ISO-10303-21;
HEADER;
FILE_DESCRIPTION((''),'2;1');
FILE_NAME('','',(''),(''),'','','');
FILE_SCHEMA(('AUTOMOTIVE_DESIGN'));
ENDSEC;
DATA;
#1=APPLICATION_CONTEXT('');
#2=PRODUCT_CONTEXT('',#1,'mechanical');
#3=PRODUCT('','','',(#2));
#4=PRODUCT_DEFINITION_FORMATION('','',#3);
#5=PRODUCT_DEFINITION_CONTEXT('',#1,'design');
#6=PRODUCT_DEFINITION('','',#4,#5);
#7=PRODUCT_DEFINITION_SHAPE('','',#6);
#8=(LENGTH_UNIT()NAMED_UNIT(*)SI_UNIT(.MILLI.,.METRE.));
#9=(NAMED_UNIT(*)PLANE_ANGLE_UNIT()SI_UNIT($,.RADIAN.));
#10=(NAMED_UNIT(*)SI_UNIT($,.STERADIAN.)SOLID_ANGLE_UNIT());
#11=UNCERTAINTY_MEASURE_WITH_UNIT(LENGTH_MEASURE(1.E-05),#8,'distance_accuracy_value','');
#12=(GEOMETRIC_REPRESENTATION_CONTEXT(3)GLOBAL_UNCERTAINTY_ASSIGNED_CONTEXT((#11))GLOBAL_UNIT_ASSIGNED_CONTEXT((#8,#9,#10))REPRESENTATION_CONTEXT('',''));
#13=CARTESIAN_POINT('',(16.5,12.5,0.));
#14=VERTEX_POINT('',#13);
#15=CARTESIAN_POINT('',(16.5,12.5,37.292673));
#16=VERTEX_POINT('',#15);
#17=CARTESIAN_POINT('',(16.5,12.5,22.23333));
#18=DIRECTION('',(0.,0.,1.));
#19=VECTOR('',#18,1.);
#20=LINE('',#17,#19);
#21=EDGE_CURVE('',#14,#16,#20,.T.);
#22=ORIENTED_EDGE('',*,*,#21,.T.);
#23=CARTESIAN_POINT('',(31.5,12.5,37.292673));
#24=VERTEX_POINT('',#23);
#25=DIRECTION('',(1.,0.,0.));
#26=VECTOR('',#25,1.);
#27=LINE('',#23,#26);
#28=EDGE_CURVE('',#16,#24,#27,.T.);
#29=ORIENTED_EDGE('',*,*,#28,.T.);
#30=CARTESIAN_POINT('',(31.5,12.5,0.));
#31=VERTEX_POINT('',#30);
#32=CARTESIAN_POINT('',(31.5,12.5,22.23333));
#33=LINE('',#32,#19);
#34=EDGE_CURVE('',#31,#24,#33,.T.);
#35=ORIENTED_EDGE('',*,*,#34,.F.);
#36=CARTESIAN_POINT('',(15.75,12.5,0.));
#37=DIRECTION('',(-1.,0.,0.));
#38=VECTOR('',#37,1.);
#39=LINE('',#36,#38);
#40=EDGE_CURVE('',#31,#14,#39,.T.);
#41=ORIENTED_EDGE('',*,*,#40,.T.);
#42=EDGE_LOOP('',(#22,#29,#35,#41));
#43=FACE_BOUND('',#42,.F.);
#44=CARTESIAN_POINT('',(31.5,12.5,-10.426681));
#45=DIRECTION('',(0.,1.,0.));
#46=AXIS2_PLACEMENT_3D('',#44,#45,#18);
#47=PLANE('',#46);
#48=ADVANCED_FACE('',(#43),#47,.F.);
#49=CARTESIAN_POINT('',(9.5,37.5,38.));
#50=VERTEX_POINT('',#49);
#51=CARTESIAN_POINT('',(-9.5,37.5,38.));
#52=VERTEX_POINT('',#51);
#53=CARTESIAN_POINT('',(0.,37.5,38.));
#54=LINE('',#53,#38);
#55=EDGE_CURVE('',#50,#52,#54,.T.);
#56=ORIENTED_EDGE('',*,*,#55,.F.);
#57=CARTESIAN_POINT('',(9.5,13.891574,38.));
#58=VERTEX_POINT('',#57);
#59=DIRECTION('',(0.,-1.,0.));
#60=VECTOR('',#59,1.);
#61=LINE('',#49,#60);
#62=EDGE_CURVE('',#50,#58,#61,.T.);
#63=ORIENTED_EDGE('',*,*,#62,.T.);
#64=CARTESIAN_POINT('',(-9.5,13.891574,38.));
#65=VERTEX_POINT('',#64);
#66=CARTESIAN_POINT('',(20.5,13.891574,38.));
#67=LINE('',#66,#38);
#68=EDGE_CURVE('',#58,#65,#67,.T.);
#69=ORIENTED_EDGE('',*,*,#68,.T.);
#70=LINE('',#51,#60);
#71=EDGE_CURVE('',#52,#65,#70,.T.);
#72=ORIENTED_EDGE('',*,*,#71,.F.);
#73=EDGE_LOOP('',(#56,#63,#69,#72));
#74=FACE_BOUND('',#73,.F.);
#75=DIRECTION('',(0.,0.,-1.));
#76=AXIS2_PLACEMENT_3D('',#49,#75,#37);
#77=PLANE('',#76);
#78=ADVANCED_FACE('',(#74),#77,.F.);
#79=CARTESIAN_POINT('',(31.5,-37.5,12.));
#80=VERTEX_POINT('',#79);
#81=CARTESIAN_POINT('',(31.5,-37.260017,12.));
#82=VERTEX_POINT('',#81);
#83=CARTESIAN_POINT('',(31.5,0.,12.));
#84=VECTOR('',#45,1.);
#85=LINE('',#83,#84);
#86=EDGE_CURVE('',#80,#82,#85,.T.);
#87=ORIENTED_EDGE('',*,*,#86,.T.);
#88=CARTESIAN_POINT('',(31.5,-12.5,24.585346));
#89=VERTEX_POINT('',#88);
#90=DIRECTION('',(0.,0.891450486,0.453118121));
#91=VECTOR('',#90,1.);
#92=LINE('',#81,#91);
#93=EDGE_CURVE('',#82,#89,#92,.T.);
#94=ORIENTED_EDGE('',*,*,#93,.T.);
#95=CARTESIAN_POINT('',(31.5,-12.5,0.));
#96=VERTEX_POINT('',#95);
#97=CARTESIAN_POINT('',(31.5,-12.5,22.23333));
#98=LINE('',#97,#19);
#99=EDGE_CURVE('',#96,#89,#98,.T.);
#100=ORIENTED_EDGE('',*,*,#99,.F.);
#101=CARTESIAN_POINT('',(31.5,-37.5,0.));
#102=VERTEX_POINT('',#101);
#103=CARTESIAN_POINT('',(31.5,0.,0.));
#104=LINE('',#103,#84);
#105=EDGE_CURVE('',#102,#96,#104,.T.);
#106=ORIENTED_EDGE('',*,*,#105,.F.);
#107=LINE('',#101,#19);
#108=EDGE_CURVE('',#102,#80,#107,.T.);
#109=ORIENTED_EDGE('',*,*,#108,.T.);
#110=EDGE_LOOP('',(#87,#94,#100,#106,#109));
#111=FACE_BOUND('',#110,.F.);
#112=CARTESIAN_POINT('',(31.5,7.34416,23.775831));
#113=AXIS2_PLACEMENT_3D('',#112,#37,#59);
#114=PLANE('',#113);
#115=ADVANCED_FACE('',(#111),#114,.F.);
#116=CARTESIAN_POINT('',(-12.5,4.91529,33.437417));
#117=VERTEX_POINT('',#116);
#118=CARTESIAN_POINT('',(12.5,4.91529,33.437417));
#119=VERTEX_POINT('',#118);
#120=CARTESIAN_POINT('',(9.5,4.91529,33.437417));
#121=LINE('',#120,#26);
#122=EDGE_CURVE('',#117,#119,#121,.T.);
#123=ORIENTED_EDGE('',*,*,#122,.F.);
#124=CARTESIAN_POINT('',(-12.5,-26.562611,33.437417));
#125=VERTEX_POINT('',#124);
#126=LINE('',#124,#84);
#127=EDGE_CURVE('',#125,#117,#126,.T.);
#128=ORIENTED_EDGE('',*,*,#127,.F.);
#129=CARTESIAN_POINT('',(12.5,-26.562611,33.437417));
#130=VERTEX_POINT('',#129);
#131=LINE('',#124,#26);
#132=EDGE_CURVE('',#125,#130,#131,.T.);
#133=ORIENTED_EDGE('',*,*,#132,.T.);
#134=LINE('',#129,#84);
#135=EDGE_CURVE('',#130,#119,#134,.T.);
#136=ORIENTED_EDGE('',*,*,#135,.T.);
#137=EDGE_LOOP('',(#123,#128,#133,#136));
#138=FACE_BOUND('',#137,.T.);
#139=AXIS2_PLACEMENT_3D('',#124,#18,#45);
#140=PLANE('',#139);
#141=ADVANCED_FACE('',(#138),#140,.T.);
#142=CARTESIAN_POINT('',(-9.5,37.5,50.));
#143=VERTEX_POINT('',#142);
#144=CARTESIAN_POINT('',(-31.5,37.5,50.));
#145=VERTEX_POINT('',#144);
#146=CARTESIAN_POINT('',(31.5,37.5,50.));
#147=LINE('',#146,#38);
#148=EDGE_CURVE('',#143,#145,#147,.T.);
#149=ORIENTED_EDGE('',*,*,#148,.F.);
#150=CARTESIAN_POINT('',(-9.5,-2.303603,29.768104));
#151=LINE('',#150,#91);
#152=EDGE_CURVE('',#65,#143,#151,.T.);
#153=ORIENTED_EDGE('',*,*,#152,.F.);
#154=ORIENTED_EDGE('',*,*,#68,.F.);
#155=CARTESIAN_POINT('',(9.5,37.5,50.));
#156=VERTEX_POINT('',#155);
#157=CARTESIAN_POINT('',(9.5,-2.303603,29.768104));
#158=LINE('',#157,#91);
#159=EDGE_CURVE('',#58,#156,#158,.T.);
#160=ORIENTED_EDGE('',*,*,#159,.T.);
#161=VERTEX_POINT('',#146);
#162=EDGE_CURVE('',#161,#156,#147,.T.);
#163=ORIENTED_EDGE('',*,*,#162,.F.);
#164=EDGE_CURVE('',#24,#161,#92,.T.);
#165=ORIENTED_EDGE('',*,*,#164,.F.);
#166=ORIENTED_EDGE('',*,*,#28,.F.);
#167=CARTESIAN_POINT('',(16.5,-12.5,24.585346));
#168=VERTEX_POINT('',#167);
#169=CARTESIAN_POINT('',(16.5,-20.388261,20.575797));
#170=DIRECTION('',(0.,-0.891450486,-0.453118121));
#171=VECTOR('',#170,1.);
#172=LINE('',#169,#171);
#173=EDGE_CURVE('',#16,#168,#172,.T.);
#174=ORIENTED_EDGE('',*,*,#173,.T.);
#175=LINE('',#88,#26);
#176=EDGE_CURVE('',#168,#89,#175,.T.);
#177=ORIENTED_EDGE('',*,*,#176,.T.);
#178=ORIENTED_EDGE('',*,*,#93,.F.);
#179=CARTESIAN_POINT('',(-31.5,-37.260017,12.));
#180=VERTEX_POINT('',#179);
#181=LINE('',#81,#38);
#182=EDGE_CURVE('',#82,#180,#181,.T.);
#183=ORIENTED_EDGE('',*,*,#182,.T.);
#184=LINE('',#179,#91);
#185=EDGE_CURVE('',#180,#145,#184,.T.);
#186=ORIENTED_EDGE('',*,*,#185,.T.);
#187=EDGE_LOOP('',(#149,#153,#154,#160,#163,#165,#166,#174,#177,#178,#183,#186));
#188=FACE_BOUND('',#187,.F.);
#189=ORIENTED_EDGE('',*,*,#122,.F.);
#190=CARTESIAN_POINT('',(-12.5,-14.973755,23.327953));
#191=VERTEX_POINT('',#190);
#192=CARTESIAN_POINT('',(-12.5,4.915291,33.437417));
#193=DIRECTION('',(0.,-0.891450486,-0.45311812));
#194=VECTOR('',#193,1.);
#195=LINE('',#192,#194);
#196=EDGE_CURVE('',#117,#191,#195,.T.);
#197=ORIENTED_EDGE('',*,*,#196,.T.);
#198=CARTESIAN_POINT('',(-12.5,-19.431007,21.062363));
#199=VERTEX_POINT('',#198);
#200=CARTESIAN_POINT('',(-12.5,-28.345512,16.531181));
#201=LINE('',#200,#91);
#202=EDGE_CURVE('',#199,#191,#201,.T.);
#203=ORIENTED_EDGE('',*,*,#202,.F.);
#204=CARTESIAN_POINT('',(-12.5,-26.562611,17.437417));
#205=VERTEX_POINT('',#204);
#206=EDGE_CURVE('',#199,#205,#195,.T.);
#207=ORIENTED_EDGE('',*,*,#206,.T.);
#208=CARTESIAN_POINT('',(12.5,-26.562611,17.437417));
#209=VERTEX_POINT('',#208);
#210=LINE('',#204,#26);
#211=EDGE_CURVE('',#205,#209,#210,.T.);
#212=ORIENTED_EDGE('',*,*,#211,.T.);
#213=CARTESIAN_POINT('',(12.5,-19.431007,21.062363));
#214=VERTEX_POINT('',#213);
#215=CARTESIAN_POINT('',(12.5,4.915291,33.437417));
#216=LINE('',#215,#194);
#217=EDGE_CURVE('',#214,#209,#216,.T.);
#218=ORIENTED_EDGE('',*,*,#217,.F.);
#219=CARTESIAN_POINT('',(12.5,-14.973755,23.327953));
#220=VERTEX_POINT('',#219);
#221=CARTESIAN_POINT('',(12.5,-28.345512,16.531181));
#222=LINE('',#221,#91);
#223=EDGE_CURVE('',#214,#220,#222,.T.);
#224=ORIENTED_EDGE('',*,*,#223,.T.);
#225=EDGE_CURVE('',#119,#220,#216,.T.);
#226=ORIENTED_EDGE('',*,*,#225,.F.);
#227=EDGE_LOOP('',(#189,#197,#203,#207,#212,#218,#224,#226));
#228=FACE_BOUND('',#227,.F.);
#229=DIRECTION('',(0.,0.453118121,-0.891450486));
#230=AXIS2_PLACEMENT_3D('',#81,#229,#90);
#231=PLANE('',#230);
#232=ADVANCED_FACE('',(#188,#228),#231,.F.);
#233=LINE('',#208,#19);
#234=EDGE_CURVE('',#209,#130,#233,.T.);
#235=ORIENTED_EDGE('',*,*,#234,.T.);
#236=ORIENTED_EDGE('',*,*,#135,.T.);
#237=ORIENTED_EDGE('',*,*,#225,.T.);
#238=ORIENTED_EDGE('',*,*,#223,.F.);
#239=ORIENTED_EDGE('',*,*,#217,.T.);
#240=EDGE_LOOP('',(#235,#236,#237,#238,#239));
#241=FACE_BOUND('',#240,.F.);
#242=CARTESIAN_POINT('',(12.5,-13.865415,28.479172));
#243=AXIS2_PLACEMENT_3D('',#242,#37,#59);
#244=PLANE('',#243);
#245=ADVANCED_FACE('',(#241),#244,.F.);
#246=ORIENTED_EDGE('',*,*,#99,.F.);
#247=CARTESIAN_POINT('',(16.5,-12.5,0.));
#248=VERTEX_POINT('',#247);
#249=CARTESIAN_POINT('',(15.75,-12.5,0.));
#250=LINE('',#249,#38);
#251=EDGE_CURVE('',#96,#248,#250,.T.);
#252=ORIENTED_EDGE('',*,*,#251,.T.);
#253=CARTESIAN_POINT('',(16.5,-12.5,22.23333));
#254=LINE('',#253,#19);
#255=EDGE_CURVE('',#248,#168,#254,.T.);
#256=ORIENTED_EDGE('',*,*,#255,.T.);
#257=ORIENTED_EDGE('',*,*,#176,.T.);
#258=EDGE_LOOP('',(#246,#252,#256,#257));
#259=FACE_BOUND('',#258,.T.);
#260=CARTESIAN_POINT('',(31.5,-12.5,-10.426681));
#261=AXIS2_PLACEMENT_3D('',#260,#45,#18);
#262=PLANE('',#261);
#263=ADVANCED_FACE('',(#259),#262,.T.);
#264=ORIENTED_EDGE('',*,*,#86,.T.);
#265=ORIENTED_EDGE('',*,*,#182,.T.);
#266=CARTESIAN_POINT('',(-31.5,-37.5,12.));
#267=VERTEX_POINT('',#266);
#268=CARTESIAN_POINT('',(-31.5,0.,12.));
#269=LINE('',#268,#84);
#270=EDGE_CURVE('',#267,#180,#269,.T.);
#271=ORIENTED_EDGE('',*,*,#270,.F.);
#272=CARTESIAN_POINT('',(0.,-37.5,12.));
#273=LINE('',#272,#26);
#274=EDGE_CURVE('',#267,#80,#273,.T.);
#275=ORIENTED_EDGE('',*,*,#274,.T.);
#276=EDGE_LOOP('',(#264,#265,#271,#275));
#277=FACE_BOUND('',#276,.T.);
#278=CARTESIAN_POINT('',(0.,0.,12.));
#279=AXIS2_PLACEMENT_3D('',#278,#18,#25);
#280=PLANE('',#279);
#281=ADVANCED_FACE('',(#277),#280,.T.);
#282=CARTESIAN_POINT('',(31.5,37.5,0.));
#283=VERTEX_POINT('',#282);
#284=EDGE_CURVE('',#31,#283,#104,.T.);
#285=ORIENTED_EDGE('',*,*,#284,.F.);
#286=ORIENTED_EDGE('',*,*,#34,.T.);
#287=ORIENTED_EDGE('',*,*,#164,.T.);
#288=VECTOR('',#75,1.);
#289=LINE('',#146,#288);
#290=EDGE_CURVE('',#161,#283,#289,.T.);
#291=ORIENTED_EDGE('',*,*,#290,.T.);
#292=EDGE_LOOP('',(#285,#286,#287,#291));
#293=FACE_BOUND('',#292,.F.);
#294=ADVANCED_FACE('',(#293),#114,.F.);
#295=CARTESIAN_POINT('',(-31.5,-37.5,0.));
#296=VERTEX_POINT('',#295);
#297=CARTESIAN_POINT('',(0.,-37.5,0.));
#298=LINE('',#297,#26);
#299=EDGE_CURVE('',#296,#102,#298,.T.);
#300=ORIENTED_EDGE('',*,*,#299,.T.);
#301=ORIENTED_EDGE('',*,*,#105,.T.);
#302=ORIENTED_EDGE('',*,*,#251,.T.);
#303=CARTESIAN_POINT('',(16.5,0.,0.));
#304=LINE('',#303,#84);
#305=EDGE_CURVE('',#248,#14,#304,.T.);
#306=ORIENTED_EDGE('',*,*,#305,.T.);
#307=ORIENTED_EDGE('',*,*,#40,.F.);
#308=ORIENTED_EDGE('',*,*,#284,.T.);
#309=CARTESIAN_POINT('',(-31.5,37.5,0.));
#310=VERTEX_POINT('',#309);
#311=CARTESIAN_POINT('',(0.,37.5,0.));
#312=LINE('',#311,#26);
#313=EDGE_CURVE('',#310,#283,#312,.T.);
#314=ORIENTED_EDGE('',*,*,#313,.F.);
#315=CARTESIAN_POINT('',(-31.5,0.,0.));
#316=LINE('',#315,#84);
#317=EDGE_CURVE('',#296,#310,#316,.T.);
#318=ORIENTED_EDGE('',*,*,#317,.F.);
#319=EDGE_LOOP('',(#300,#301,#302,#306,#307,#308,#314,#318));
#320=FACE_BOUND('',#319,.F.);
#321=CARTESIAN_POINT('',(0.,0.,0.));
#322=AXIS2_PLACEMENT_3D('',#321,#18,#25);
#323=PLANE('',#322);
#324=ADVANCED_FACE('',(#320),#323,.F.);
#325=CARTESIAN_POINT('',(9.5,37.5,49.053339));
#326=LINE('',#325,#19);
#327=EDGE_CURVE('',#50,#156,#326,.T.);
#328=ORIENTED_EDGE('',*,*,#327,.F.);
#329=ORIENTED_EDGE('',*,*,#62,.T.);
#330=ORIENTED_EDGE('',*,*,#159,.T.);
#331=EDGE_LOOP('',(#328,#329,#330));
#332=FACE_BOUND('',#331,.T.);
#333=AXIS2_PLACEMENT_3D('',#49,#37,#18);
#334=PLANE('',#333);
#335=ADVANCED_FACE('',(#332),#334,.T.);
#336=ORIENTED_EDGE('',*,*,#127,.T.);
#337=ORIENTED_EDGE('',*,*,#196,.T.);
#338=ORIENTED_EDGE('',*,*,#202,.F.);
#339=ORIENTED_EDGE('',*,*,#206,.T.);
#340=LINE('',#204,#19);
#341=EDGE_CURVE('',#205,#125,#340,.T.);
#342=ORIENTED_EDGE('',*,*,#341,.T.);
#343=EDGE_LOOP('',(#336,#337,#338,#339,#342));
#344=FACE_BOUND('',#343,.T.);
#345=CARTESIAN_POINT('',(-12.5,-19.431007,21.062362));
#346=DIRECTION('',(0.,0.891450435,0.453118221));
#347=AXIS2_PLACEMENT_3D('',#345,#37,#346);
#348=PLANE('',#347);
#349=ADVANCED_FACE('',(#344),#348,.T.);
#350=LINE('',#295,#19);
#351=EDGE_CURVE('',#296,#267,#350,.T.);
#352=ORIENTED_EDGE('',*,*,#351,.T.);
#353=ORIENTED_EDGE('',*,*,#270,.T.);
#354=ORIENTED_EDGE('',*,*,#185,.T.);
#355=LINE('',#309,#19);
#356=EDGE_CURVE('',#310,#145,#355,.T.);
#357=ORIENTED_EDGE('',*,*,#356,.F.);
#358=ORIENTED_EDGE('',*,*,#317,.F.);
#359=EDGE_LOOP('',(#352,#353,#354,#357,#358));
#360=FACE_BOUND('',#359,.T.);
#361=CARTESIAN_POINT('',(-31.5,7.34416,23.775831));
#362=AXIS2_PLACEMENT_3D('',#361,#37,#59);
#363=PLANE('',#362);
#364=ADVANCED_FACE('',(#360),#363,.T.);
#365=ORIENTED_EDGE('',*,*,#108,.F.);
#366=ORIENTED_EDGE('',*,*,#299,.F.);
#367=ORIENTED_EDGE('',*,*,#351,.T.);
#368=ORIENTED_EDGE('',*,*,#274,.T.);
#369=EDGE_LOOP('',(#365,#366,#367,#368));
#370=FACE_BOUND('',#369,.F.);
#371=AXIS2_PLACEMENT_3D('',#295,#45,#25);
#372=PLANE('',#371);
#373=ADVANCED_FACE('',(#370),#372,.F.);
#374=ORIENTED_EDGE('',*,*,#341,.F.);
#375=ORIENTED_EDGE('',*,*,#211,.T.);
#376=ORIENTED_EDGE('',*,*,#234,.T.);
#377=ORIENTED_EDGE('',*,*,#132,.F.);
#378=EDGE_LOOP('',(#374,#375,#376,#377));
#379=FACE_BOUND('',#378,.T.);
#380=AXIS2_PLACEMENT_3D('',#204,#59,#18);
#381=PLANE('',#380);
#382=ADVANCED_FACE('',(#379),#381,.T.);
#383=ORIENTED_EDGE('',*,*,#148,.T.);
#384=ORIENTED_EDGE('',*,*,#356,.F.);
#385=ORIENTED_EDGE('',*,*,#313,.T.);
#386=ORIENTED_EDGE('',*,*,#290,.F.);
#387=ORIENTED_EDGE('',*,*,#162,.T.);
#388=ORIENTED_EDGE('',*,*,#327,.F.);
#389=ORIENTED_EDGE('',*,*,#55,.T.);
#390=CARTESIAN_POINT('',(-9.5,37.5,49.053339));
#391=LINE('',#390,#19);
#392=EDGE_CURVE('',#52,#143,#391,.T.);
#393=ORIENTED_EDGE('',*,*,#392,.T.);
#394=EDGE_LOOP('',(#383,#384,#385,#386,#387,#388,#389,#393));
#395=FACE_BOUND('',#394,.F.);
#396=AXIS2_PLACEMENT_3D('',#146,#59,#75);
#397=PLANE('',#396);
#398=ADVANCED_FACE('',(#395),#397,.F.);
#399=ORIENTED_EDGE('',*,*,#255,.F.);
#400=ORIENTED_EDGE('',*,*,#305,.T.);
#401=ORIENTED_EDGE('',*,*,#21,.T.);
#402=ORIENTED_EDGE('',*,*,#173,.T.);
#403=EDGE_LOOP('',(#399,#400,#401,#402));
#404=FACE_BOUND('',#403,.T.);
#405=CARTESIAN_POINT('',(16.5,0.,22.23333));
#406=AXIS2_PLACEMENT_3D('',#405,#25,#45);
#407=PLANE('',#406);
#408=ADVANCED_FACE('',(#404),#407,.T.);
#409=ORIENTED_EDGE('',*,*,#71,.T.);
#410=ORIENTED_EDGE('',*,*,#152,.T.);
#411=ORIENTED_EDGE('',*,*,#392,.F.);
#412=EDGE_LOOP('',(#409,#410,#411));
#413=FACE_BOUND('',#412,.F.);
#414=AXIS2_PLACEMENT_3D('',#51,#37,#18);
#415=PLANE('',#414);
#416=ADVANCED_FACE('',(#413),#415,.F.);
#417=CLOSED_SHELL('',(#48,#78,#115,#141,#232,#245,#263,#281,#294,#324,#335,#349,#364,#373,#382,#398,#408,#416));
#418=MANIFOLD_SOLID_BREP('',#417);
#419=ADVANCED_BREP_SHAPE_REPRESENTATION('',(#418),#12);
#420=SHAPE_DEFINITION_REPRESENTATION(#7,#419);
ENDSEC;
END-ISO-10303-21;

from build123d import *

# Parameters (mm, degrees)
SKETCH_W        = 63
SKETCH_H        = 75
PAD_DEPTH       = 12
PAD001_DEPTH    = 63
SKETCH002_W     = 19
SKETCH002_H     = 22.106678
POCKET_DEPTH    = 75.001
SKETCH003_W     = 25
SKETCH003_H     = 65.320022
POCKET001_DEPTH = 15
SKETCH004_W     = 25
SKETCH004_H     = 5
PAD002_DEPTH    = 1
PAD003_DEPTH    = 25


with BuildPart() as part:
    # Sketch → Pad (new body)
    with BuildSketch(Plane.XY):
        Rectangle(SKETCH_W, SKETCH_H)
    extrude(amount=PAD_DEPTH)

    # Sketch001 → Pad001 (new body)
    with BuildSketch(Plane.YZ.offset(31.5)):
        Polygon((-37.260017, 12), (37.5, 50), (37.5, 12), align=None)
    extrude(amount=-PAD001_DEPTH)

    # Sketch002 → Pocket (cut, through all)
    with BuildSketch(Plane(origin=(0, 37.5, 0), x_dir=(-1, 0, 0), z_dir=(0, 1, 0))):
        with Locations((0, 49.053339)):
            Rectangle(SKETCH002_W, SKETCH002_H)
    extrude(amount=-POCKET_DEPTH, mode=Mode.SUBTRACT)

    # Sketch003 → Pocket001 (cut)
    with BuildSketch(Plane.YZ.offset(31.5)):
        with Locations((0, 22.23333)):
            Rectangle(SKETCH003_W, SKETCH003_H)
    extrude(amount=-POCKET001_DEPTH, mode=Mode.SUBTRACT)

    # Sketch004 → Pad002 (new body)
    with BuildSketch(Plane(origin=(0, -12.497267, 24.586735), x_dir=(1, 0, 0), z_dir=(0, -0.453118, 0.89145))):
        with Locations((0, -5.278043)):
            Rectangle(SKETCH004_W, SKETCH004_H)
    extrude(amount=PAD002_DEPTH)

    # Sketch005 → Pad003 (new body)
    with BuildSketch(Plane(origin=(-12.5, 0, 0), x_dir=(0, -1, 0), z_dir=(-1, 0, 0))):
        Polygon((-4.915291, 33.437417), (26.562611, 17.437417), (26.562611, 33.437417), align=None)
    extrude(amount=-PAD003_DEPTH)


solid = part.part
